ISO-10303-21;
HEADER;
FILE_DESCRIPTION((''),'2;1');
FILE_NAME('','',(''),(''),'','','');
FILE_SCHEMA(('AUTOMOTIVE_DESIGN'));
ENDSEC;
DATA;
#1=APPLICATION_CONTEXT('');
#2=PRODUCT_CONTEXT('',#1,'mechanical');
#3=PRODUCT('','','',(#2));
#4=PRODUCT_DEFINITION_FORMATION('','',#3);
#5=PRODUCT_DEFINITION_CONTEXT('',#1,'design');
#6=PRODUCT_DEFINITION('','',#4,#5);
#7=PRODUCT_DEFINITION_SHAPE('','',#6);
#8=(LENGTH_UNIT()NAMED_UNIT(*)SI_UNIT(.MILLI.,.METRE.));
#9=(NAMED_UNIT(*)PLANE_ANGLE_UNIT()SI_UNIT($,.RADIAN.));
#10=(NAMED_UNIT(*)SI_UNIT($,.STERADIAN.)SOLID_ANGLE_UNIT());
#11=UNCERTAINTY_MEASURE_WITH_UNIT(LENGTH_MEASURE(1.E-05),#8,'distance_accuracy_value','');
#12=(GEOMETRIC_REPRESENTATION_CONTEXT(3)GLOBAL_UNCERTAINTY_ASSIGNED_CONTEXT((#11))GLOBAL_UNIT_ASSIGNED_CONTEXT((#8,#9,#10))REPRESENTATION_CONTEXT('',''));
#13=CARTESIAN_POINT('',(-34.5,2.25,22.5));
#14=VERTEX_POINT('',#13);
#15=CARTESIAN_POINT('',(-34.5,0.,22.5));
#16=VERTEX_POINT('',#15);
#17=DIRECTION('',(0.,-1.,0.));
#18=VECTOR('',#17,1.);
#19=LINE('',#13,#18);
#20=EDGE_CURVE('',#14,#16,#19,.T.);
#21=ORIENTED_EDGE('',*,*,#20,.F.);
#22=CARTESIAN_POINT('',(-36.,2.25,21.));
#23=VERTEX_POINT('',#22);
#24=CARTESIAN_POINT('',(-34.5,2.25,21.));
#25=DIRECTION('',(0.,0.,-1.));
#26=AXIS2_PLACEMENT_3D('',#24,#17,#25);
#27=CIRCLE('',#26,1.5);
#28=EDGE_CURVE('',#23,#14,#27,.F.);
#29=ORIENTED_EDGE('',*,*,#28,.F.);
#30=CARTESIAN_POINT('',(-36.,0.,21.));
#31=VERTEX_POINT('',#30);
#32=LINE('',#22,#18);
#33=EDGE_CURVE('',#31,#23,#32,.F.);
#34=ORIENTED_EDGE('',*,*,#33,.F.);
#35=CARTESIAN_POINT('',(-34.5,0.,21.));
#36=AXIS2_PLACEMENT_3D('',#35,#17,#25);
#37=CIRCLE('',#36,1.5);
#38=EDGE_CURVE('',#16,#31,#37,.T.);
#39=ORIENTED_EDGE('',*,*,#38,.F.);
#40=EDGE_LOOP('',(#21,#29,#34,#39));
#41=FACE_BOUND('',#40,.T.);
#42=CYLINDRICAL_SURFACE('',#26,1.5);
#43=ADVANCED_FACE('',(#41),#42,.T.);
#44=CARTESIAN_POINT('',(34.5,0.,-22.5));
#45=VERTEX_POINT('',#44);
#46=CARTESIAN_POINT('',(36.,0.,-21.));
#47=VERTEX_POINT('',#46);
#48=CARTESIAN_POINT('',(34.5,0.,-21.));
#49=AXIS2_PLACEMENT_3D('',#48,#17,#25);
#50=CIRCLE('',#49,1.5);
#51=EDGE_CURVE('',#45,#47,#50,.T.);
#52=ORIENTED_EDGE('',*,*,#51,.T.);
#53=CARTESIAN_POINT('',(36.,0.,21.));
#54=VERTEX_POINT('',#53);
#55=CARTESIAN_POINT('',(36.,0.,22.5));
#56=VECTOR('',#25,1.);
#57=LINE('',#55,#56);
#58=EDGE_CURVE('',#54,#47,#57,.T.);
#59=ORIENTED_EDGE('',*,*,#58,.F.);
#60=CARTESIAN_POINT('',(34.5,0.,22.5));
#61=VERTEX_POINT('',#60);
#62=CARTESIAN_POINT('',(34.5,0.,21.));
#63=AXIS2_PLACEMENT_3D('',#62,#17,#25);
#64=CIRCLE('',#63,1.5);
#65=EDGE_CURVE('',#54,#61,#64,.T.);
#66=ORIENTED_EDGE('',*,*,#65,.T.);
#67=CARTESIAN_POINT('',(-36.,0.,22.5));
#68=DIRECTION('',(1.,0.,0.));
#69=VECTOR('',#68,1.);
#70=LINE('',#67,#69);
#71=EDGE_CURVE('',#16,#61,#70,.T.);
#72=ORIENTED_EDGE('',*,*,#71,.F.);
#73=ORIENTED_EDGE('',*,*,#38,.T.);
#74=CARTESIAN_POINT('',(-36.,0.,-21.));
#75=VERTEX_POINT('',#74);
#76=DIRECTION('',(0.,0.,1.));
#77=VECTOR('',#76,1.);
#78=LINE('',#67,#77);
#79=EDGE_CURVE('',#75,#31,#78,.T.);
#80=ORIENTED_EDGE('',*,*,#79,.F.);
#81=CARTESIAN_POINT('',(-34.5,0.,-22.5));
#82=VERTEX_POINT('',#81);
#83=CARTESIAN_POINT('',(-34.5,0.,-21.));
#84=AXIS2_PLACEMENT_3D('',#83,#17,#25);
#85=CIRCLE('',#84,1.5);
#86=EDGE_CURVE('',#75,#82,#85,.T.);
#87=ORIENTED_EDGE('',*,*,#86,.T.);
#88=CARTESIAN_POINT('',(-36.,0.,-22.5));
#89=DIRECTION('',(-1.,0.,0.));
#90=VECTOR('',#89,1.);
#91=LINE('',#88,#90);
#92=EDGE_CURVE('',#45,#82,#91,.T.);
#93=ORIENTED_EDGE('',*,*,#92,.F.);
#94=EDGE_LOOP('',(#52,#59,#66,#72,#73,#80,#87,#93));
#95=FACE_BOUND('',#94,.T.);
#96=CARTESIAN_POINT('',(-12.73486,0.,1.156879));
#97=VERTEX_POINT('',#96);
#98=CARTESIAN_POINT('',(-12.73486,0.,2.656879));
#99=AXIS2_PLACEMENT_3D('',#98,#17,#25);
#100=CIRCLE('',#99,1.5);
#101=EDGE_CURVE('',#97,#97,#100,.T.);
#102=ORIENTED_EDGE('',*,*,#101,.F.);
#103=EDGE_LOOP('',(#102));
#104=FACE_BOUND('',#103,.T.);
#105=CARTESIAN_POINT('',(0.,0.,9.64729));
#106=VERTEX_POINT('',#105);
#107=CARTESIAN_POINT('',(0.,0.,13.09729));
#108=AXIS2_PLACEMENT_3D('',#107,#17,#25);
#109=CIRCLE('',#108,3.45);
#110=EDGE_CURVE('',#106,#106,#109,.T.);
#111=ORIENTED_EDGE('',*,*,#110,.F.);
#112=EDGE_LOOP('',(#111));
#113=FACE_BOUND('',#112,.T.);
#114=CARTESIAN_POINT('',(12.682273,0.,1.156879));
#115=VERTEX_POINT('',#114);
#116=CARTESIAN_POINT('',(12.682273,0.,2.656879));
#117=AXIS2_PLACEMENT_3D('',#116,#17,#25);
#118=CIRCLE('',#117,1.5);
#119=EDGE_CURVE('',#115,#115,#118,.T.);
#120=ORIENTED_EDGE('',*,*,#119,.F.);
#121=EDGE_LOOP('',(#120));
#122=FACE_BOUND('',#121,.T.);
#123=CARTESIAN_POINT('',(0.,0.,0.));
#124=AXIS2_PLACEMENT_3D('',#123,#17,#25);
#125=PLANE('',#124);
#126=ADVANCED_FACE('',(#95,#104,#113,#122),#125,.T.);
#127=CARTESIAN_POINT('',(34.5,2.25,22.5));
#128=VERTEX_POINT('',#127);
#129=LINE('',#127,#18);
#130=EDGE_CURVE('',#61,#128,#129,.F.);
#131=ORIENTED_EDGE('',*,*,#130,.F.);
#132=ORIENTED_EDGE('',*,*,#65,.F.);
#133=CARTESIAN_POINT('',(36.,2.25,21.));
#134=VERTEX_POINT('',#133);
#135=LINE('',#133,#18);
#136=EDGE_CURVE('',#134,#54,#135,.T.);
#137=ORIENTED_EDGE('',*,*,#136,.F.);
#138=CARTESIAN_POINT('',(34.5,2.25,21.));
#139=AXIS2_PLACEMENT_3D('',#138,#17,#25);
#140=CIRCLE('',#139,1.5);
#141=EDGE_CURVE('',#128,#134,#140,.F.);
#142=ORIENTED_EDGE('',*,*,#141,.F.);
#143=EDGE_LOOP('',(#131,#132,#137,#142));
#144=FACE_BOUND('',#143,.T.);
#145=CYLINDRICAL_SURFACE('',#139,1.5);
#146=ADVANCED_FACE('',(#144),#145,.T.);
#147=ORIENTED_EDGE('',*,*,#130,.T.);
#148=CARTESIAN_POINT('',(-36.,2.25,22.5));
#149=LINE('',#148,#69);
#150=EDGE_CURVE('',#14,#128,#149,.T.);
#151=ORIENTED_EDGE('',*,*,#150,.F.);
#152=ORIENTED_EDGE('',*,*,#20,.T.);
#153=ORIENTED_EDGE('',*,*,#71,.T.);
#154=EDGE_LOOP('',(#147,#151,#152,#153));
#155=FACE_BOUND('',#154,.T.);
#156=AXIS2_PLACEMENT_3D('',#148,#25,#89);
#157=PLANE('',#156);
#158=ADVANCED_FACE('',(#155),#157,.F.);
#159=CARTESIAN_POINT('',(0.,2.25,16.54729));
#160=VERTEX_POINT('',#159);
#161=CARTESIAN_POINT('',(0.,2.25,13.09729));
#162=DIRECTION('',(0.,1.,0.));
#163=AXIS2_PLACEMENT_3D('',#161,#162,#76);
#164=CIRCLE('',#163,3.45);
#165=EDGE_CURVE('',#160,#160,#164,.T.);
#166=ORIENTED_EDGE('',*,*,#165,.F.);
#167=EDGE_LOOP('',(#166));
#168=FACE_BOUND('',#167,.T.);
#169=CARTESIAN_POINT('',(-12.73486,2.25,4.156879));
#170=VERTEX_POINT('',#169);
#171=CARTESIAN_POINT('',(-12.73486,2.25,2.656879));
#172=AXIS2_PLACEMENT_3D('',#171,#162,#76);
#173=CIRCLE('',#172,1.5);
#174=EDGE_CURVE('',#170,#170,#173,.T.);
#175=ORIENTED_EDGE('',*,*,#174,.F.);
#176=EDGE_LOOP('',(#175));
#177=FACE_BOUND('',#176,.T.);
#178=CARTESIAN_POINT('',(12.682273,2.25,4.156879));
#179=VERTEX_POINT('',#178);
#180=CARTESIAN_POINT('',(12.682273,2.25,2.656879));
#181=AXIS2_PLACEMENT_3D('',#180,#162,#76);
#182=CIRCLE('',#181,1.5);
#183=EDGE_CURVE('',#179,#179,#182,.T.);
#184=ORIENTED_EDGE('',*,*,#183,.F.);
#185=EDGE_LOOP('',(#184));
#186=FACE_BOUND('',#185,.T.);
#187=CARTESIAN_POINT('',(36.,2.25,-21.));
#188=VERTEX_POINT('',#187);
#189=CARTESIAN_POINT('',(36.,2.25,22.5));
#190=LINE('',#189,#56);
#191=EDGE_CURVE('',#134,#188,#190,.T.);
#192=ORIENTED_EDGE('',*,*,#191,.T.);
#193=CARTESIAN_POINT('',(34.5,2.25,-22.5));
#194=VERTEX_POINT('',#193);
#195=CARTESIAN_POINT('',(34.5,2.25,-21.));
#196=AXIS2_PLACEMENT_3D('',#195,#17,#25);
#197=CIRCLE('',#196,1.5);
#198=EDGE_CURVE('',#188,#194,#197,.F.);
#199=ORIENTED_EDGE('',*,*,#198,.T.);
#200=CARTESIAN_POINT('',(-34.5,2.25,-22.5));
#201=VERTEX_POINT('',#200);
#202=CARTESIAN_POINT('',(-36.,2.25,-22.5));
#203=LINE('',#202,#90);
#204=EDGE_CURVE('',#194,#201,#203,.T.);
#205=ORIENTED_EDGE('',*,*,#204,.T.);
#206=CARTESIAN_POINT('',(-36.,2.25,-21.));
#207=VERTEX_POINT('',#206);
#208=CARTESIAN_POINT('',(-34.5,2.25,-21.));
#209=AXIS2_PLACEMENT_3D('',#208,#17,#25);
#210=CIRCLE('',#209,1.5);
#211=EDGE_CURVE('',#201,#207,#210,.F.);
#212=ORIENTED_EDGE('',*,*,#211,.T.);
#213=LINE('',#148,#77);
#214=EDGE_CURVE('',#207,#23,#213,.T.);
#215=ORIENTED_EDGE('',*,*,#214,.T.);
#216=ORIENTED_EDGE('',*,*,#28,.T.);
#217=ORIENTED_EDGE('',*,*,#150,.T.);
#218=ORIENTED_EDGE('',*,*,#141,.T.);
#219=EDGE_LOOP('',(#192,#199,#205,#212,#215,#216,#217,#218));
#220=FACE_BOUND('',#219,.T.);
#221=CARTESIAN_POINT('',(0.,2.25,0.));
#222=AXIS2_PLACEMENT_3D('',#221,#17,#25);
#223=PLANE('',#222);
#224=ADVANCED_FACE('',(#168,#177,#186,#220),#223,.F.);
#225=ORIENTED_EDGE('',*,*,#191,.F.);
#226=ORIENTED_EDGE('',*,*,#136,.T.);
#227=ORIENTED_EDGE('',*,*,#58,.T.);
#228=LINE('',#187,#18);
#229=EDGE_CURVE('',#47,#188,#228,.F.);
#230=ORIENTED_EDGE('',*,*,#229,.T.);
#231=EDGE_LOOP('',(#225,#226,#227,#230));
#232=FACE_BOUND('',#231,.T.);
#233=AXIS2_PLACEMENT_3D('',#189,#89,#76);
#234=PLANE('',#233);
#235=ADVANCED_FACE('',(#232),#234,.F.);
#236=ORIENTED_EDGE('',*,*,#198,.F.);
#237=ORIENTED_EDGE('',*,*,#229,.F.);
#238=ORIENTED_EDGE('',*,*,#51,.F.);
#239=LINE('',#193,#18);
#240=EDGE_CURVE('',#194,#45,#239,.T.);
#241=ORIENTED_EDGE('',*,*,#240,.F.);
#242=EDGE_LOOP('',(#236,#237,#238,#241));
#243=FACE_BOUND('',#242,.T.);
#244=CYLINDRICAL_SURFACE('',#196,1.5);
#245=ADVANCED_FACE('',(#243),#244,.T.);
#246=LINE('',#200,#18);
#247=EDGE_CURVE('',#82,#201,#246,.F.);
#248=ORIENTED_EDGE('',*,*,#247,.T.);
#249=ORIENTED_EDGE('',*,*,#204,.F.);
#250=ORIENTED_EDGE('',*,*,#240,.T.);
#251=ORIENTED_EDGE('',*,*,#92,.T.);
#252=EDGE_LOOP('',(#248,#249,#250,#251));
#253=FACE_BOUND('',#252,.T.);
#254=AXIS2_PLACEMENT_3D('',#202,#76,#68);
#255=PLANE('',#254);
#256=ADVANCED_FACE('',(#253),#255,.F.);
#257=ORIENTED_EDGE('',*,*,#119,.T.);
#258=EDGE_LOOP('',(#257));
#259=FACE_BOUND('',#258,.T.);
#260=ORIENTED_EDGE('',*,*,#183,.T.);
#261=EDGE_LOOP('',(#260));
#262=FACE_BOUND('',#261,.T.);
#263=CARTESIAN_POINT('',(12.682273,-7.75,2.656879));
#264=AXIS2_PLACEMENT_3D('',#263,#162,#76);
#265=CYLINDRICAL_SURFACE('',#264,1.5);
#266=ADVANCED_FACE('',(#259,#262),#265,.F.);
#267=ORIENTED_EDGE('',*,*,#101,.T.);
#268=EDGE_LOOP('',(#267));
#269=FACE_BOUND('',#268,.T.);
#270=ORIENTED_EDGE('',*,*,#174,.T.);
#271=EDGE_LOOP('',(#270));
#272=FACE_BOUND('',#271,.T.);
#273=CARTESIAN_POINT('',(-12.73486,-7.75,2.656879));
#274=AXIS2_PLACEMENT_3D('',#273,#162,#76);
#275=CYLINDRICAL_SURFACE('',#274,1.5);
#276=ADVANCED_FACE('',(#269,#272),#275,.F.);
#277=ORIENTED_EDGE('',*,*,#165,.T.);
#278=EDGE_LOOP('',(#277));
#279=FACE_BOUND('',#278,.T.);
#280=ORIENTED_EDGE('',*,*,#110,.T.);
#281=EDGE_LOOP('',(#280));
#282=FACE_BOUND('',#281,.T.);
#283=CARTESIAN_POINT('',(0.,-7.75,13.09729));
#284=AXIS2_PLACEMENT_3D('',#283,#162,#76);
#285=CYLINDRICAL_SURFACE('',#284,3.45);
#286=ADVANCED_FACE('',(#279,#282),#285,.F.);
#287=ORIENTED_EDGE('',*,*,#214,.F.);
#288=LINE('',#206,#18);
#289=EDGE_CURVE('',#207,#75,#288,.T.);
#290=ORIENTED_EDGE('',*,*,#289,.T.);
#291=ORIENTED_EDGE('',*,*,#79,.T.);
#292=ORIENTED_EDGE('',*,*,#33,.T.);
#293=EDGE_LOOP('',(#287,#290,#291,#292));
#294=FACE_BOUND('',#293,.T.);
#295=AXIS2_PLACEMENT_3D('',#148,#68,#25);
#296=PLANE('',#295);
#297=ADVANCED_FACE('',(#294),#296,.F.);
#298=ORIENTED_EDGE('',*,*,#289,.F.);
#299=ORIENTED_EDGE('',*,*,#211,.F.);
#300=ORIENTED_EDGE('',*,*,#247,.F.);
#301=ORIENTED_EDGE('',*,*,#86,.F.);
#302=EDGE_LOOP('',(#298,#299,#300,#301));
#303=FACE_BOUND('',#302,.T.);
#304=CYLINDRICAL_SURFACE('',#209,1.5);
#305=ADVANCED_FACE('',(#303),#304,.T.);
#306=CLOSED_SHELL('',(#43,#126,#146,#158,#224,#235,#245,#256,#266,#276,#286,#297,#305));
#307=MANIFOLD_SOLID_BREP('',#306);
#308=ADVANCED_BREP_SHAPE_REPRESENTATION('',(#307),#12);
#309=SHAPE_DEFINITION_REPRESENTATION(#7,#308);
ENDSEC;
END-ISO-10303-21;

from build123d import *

# Parameters (mm, degrees)
SKETCH1_W           = 72
SKETCH1_H           = 45
BOSS_EXTRUDE1_DEPTH = 2.25
FILLET2_R           = 1.5
FILLET3_R           = 1.5
SKETCH16_R          = 3.45
CUT_EXTRUDE1_DEPTH  = 10
SKETCH18_R          = 1.5
CUT_EXTRUDE2_DEPTH  = 10


with BuildPart() as part:
    # Sketch1 → Boss-Extrude1 (new body)
    with BuildSketch(Plane(origin=(0, 0, 0), x_dir=(1, 0, 0), z_dir=(0, 1, 0))):
        Rectangle(SKETCH1_W, SKETCH1_H)
    extrude(amount=BOSS_EXTRUDE1_DEPTH)

    # Fillet2
    fillet2_edges = [part.edges().sort_by_distance(p)[0] for p in [
        (-36, 1.125, -22.5),
    ]]
    fillet(fillet2_edges, radius=FILLET2_R)

    # Fillet3
    fillet3_edges = [part.edges().sort_by_distance(p)[0] for p in [
        (36, 1.125, 22.5),
        (-36, 1.125, 22.5),
        (36, 1.125, -22.5),
    ]]
    fillet(fillet3_edges, radius=FILLET3_R)

    # Sketch16 → Cut-Extrude1 (cut)
    with BuildSketch(Plane(origin=(0, 2.25, 0), x_dir=(1, 0, 0), z_dir=(0, 1, 0))):
        with Locations(Location((0, -13.097290255, 0), (0, 0, 270))):
            Circle(SKETCH16_R)
    extrude(amount=-CUT_EXTRUDE1_DEPTH, mode=Mode.SUBTRACT)

    # Sketch18 → Cut-Extrude2 (cut)
    with BuildSketch(Plane(origin=(0, 2.25, 0), x_dir=(1, 0, 0), z_dir=(0, 1, 0))):
        with Locations(Location((-12.734859634, -2.656879133, 0), (0, 0, 270))):
            Circle(SKETCH18_R)
        with Locations(Location((12.682272565, -2.656879133, 0), (0, 0, 270))):
            Circle(SKETCH18_R)
    extrude(amount=-CUT_EXTRUDE2_DEPTH, mode=Mode.SUBTRACT)


solid = part.part
